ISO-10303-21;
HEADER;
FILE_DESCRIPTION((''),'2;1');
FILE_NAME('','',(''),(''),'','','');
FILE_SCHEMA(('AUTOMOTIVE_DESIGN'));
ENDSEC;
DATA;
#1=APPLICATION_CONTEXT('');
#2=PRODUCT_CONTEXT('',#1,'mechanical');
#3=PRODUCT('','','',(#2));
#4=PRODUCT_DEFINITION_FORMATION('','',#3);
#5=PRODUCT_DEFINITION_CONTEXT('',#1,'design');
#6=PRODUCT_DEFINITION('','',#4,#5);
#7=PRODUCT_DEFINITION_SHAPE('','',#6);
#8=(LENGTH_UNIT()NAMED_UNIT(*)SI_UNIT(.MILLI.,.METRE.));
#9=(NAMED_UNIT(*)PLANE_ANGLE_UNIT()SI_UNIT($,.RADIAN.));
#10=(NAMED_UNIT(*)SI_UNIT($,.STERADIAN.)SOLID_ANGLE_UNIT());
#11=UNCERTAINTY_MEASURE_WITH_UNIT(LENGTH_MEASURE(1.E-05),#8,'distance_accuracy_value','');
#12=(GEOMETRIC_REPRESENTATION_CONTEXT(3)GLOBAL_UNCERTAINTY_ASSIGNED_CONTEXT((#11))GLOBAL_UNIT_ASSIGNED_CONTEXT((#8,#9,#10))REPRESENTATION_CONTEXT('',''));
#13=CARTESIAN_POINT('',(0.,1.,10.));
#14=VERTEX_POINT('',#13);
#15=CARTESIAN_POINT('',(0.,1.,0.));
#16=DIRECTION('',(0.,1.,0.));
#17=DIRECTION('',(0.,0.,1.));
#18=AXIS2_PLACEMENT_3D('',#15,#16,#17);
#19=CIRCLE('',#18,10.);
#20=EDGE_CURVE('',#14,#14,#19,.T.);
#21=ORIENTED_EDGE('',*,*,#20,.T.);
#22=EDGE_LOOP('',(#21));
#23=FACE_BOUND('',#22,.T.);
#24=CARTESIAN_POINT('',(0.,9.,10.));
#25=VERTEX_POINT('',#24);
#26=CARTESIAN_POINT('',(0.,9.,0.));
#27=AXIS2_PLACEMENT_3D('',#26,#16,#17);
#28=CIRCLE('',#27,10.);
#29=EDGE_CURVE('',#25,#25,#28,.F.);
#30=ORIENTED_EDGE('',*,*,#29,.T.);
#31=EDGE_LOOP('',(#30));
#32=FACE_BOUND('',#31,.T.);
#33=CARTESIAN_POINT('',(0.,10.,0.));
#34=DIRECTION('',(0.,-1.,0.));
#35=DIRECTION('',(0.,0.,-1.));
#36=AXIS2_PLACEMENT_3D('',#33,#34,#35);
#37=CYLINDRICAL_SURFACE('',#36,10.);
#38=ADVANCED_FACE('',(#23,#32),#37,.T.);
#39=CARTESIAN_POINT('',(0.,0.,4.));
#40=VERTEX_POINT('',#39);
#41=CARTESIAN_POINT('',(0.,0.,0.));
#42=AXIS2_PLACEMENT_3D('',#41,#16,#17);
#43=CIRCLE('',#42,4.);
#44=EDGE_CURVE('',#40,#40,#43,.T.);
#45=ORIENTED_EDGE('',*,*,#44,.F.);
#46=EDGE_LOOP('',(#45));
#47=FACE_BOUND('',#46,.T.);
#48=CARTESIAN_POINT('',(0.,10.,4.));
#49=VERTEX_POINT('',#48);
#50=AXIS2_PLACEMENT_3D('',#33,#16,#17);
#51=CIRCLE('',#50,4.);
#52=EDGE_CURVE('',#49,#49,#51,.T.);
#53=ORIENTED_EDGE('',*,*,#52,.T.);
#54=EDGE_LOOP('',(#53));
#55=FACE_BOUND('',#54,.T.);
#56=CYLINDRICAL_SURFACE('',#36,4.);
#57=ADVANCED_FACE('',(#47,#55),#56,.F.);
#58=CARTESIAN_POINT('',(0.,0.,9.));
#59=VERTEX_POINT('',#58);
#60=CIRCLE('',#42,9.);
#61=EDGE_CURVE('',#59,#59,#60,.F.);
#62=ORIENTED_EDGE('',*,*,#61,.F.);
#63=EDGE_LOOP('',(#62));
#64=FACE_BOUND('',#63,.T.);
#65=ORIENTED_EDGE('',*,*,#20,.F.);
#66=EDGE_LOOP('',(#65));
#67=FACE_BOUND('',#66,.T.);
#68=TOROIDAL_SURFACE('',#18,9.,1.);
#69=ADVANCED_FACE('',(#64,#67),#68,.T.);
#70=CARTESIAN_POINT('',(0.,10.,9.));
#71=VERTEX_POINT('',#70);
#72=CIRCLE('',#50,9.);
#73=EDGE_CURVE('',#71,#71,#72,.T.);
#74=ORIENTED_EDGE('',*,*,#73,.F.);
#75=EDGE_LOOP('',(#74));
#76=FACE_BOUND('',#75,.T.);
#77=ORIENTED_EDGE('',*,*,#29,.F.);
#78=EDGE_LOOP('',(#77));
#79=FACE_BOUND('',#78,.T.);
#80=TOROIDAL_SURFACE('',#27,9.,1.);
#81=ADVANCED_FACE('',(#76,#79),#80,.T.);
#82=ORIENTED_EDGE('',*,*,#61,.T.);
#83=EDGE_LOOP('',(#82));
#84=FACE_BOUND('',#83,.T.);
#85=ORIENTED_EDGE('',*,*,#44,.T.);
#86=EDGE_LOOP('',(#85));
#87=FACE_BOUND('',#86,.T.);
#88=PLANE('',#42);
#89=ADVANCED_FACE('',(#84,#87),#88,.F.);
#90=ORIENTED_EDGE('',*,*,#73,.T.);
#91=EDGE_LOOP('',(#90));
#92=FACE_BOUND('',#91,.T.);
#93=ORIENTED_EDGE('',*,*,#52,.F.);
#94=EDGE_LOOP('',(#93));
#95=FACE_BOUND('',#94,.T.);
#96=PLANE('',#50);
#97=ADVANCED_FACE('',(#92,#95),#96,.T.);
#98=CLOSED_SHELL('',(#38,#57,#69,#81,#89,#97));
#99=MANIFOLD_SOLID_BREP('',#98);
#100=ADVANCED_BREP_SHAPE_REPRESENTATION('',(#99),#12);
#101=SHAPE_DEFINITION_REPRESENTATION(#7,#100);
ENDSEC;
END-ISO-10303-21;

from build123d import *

# Parameters (mm, degrees)
SKETCH1_R           = 10
SKETCH1_R_2         = 4
BOSS_EXTRUDE1_DEPTH = 10
FILLET1_R           = 1


with BuildPart() as part:
    # Sketch1 → Boss-Extrude1 (new body)
    with BuildSketch(Plane(origin=(0, 0, 0), x_dir=(1, 0, 0), z_dir=(0, 1, 0))):
        Circle(SKETCH1_R)
        Circle(SKETCH1_R_2, mode=Mode.SUBTRACT)
    extrude(amount=BOSS_EXTRUDE1_DEPTH)

    # Fillet1
    fillet1_edges = [part.edges().sort_by_distance(p)[0] for p in [
        (-10, 0, 0),
        (-10, 10, 0),
    ]]
    fillet(fillet1_edges, radius=FILLET1_R)


solid = part.part
